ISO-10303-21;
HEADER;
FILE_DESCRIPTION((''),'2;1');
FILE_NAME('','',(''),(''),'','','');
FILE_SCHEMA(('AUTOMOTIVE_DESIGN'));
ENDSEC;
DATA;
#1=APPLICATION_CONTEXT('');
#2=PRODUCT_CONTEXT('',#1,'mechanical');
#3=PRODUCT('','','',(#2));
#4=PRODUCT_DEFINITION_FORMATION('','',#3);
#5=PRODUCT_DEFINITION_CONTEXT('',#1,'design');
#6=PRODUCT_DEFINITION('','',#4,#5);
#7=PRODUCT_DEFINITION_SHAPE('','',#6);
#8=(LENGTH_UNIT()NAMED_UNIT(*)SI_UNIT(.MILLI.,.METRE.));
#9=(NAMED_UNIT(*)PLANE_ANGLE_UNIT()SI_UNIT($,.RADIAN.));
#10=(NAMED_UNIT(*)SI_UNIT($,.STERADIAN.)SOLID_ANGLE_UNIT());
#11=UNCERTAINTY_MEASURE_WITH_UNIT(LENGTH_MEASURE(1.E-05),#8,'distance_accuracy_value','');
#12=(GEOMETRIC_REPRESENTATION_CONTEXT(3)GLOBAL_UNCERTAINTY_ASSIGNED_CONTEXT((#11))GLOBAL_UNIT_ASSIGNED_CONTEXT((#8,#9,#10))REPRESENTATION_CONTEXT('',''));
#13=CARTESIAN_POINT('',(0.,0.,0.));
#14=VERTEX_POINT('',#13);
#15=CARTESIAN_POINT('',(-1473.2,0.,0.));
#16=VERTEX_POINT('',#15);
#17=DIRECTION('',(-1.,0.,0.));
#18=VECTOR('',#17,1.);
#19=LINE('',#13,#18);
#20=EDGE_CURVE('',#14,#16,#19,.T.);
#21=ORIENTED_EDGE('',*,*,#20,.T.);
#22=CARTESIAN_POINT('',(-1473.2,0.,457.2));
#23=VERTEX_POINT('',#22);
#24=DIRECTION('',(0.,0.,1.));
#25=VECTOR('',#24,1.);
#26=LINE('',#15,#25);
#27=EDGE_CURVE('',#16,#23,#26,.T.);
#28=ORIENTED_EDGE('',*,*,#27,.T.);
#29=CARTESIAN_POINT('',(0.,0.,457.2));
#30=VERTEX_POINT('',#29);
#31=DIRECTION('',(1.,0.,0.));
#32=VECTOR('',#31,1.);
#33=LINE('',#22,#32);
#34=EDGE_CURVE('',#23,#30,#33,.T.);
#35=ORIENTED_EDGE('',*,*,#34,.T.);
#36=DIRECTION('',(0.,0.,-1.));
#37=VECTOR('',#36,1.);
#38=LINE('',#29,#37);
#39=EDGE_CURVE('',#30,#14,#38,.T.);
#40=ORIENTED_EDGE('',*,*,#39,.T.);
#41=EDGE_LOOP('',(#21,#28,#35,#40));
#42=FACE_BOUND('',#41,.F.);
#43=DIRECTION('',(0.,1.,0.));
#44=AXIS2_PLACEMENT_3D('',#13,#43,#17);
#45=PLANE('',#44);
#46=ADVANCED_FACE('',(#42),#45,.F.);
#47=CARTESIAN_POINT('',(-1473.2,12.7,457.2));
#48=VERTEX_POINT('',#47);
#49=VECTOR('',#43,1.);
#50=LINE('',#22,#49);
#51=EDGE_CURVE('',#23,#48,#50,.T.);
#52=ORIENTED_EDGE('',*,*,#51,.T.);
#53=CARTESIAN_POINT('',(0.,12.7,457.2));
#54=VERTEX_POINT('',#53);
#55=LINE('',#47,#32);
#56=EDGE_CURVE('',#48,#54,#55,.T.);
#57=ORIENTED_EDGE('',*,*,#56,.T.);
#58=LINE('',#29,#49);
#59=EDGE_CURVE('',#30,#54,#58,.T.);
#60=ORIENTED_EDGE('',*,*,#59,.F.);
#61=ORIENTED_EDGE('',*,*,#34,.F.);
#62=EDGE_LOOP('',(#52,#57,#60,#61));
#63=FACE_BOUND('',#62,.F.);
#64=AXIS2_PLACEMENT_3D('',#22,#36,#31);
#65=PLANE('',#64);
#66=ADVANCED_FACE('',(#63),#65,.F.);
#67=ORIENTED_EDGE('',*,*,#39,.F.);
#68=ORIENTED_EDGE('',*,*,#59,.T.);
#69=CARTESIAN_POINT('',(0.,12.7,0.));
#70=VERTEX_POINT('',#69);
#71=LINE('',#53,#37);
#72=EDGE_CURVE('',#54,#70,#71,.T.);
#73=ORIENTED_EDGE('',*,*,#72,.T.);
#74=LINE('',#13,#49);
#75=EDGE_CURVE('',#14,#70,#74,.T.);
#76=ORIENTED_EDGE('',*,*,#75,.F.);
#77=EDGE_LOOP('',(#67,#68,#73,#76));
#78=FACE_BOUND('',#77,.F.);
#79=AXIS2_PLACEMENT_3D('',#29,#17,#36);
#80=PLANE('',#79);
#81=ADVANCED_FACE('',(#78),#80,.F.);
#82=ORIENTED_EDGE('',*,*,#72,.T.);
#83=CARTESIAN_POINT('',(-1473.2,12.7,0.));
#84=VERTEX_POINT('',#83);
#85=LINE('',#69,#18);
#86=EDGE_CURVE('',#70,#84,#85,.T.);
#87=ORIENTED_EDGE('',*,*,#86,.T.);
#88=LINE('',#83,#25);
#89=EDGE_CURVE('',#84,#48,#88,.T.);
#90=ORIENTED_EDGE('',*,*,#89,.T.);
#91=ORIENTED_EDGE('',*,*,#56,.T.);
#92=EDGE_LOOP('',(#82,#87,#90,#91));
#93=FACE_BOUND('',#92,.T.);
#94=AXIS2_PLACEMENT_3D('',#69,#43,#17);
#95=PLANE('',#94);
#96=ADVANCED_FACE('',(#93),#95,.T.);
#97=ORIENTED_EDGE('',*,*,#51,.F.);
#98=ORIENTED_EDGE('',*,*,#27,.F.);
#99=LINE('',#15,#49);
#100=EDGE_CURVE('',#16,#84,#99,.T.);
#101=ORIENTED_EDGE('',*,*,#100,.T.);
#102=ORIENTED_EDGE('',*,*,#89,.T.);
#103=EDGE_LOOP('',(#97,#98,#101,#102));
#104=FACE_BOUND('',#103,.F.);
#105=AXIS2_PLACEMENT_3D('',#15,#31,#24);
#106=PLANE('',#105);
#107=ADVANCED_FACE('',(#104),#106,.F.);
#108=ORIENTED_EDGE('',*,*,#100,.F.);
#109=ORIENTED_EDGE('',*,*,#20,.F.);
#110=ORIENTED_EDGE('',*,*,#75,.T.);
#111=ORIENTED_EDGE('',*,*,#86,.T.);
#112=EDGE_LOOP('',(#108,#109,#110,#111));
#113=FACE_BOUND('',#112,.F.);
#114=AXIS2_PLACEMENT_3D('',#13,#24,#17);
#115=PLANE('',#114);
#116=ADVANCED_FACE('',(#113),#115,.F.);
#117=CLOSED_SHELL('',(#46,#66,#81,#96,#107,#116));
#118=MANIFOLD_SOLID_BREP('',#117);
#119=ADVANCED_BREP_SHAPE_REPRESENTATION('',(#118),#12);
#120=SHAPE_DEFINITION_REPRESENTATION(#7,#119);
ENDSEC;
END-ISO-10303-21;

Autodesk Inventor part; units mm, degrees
ref_plane "YZ Plane" through (0, 0, 0) normal (1, 0, 0) x (0, 1, 0)
ref_plane "XZ Plane" through (0, 0, 0) normal (0, 1, 0) x (-1, 0, 0)
ref_plane "XY Plane" through (0, 0, 0) normal (0, 0, 1) x (1, 0, 0)
sketch "Sketch1" plane through (0, 0, 0) normal (0, 1, 0) x (-1, 0, 0)
  line L0 (0, 0) -> (1473.2, 0)
  line L1 (1473.2, 0) -> (1473.2, 457.2)
  line L2 (1473.2, 457.2) -> (0, 457.2)
  line L3 (0, 457.2) -> (0, 0)
  dimension "d0" = 1473.2
  dimension "d1" = 457.2
extrude "Extrusion1" add sketch "Sketch1" along normal blind 12.7
properties part number "piano-shelf" material "Wood (Cherry)"
